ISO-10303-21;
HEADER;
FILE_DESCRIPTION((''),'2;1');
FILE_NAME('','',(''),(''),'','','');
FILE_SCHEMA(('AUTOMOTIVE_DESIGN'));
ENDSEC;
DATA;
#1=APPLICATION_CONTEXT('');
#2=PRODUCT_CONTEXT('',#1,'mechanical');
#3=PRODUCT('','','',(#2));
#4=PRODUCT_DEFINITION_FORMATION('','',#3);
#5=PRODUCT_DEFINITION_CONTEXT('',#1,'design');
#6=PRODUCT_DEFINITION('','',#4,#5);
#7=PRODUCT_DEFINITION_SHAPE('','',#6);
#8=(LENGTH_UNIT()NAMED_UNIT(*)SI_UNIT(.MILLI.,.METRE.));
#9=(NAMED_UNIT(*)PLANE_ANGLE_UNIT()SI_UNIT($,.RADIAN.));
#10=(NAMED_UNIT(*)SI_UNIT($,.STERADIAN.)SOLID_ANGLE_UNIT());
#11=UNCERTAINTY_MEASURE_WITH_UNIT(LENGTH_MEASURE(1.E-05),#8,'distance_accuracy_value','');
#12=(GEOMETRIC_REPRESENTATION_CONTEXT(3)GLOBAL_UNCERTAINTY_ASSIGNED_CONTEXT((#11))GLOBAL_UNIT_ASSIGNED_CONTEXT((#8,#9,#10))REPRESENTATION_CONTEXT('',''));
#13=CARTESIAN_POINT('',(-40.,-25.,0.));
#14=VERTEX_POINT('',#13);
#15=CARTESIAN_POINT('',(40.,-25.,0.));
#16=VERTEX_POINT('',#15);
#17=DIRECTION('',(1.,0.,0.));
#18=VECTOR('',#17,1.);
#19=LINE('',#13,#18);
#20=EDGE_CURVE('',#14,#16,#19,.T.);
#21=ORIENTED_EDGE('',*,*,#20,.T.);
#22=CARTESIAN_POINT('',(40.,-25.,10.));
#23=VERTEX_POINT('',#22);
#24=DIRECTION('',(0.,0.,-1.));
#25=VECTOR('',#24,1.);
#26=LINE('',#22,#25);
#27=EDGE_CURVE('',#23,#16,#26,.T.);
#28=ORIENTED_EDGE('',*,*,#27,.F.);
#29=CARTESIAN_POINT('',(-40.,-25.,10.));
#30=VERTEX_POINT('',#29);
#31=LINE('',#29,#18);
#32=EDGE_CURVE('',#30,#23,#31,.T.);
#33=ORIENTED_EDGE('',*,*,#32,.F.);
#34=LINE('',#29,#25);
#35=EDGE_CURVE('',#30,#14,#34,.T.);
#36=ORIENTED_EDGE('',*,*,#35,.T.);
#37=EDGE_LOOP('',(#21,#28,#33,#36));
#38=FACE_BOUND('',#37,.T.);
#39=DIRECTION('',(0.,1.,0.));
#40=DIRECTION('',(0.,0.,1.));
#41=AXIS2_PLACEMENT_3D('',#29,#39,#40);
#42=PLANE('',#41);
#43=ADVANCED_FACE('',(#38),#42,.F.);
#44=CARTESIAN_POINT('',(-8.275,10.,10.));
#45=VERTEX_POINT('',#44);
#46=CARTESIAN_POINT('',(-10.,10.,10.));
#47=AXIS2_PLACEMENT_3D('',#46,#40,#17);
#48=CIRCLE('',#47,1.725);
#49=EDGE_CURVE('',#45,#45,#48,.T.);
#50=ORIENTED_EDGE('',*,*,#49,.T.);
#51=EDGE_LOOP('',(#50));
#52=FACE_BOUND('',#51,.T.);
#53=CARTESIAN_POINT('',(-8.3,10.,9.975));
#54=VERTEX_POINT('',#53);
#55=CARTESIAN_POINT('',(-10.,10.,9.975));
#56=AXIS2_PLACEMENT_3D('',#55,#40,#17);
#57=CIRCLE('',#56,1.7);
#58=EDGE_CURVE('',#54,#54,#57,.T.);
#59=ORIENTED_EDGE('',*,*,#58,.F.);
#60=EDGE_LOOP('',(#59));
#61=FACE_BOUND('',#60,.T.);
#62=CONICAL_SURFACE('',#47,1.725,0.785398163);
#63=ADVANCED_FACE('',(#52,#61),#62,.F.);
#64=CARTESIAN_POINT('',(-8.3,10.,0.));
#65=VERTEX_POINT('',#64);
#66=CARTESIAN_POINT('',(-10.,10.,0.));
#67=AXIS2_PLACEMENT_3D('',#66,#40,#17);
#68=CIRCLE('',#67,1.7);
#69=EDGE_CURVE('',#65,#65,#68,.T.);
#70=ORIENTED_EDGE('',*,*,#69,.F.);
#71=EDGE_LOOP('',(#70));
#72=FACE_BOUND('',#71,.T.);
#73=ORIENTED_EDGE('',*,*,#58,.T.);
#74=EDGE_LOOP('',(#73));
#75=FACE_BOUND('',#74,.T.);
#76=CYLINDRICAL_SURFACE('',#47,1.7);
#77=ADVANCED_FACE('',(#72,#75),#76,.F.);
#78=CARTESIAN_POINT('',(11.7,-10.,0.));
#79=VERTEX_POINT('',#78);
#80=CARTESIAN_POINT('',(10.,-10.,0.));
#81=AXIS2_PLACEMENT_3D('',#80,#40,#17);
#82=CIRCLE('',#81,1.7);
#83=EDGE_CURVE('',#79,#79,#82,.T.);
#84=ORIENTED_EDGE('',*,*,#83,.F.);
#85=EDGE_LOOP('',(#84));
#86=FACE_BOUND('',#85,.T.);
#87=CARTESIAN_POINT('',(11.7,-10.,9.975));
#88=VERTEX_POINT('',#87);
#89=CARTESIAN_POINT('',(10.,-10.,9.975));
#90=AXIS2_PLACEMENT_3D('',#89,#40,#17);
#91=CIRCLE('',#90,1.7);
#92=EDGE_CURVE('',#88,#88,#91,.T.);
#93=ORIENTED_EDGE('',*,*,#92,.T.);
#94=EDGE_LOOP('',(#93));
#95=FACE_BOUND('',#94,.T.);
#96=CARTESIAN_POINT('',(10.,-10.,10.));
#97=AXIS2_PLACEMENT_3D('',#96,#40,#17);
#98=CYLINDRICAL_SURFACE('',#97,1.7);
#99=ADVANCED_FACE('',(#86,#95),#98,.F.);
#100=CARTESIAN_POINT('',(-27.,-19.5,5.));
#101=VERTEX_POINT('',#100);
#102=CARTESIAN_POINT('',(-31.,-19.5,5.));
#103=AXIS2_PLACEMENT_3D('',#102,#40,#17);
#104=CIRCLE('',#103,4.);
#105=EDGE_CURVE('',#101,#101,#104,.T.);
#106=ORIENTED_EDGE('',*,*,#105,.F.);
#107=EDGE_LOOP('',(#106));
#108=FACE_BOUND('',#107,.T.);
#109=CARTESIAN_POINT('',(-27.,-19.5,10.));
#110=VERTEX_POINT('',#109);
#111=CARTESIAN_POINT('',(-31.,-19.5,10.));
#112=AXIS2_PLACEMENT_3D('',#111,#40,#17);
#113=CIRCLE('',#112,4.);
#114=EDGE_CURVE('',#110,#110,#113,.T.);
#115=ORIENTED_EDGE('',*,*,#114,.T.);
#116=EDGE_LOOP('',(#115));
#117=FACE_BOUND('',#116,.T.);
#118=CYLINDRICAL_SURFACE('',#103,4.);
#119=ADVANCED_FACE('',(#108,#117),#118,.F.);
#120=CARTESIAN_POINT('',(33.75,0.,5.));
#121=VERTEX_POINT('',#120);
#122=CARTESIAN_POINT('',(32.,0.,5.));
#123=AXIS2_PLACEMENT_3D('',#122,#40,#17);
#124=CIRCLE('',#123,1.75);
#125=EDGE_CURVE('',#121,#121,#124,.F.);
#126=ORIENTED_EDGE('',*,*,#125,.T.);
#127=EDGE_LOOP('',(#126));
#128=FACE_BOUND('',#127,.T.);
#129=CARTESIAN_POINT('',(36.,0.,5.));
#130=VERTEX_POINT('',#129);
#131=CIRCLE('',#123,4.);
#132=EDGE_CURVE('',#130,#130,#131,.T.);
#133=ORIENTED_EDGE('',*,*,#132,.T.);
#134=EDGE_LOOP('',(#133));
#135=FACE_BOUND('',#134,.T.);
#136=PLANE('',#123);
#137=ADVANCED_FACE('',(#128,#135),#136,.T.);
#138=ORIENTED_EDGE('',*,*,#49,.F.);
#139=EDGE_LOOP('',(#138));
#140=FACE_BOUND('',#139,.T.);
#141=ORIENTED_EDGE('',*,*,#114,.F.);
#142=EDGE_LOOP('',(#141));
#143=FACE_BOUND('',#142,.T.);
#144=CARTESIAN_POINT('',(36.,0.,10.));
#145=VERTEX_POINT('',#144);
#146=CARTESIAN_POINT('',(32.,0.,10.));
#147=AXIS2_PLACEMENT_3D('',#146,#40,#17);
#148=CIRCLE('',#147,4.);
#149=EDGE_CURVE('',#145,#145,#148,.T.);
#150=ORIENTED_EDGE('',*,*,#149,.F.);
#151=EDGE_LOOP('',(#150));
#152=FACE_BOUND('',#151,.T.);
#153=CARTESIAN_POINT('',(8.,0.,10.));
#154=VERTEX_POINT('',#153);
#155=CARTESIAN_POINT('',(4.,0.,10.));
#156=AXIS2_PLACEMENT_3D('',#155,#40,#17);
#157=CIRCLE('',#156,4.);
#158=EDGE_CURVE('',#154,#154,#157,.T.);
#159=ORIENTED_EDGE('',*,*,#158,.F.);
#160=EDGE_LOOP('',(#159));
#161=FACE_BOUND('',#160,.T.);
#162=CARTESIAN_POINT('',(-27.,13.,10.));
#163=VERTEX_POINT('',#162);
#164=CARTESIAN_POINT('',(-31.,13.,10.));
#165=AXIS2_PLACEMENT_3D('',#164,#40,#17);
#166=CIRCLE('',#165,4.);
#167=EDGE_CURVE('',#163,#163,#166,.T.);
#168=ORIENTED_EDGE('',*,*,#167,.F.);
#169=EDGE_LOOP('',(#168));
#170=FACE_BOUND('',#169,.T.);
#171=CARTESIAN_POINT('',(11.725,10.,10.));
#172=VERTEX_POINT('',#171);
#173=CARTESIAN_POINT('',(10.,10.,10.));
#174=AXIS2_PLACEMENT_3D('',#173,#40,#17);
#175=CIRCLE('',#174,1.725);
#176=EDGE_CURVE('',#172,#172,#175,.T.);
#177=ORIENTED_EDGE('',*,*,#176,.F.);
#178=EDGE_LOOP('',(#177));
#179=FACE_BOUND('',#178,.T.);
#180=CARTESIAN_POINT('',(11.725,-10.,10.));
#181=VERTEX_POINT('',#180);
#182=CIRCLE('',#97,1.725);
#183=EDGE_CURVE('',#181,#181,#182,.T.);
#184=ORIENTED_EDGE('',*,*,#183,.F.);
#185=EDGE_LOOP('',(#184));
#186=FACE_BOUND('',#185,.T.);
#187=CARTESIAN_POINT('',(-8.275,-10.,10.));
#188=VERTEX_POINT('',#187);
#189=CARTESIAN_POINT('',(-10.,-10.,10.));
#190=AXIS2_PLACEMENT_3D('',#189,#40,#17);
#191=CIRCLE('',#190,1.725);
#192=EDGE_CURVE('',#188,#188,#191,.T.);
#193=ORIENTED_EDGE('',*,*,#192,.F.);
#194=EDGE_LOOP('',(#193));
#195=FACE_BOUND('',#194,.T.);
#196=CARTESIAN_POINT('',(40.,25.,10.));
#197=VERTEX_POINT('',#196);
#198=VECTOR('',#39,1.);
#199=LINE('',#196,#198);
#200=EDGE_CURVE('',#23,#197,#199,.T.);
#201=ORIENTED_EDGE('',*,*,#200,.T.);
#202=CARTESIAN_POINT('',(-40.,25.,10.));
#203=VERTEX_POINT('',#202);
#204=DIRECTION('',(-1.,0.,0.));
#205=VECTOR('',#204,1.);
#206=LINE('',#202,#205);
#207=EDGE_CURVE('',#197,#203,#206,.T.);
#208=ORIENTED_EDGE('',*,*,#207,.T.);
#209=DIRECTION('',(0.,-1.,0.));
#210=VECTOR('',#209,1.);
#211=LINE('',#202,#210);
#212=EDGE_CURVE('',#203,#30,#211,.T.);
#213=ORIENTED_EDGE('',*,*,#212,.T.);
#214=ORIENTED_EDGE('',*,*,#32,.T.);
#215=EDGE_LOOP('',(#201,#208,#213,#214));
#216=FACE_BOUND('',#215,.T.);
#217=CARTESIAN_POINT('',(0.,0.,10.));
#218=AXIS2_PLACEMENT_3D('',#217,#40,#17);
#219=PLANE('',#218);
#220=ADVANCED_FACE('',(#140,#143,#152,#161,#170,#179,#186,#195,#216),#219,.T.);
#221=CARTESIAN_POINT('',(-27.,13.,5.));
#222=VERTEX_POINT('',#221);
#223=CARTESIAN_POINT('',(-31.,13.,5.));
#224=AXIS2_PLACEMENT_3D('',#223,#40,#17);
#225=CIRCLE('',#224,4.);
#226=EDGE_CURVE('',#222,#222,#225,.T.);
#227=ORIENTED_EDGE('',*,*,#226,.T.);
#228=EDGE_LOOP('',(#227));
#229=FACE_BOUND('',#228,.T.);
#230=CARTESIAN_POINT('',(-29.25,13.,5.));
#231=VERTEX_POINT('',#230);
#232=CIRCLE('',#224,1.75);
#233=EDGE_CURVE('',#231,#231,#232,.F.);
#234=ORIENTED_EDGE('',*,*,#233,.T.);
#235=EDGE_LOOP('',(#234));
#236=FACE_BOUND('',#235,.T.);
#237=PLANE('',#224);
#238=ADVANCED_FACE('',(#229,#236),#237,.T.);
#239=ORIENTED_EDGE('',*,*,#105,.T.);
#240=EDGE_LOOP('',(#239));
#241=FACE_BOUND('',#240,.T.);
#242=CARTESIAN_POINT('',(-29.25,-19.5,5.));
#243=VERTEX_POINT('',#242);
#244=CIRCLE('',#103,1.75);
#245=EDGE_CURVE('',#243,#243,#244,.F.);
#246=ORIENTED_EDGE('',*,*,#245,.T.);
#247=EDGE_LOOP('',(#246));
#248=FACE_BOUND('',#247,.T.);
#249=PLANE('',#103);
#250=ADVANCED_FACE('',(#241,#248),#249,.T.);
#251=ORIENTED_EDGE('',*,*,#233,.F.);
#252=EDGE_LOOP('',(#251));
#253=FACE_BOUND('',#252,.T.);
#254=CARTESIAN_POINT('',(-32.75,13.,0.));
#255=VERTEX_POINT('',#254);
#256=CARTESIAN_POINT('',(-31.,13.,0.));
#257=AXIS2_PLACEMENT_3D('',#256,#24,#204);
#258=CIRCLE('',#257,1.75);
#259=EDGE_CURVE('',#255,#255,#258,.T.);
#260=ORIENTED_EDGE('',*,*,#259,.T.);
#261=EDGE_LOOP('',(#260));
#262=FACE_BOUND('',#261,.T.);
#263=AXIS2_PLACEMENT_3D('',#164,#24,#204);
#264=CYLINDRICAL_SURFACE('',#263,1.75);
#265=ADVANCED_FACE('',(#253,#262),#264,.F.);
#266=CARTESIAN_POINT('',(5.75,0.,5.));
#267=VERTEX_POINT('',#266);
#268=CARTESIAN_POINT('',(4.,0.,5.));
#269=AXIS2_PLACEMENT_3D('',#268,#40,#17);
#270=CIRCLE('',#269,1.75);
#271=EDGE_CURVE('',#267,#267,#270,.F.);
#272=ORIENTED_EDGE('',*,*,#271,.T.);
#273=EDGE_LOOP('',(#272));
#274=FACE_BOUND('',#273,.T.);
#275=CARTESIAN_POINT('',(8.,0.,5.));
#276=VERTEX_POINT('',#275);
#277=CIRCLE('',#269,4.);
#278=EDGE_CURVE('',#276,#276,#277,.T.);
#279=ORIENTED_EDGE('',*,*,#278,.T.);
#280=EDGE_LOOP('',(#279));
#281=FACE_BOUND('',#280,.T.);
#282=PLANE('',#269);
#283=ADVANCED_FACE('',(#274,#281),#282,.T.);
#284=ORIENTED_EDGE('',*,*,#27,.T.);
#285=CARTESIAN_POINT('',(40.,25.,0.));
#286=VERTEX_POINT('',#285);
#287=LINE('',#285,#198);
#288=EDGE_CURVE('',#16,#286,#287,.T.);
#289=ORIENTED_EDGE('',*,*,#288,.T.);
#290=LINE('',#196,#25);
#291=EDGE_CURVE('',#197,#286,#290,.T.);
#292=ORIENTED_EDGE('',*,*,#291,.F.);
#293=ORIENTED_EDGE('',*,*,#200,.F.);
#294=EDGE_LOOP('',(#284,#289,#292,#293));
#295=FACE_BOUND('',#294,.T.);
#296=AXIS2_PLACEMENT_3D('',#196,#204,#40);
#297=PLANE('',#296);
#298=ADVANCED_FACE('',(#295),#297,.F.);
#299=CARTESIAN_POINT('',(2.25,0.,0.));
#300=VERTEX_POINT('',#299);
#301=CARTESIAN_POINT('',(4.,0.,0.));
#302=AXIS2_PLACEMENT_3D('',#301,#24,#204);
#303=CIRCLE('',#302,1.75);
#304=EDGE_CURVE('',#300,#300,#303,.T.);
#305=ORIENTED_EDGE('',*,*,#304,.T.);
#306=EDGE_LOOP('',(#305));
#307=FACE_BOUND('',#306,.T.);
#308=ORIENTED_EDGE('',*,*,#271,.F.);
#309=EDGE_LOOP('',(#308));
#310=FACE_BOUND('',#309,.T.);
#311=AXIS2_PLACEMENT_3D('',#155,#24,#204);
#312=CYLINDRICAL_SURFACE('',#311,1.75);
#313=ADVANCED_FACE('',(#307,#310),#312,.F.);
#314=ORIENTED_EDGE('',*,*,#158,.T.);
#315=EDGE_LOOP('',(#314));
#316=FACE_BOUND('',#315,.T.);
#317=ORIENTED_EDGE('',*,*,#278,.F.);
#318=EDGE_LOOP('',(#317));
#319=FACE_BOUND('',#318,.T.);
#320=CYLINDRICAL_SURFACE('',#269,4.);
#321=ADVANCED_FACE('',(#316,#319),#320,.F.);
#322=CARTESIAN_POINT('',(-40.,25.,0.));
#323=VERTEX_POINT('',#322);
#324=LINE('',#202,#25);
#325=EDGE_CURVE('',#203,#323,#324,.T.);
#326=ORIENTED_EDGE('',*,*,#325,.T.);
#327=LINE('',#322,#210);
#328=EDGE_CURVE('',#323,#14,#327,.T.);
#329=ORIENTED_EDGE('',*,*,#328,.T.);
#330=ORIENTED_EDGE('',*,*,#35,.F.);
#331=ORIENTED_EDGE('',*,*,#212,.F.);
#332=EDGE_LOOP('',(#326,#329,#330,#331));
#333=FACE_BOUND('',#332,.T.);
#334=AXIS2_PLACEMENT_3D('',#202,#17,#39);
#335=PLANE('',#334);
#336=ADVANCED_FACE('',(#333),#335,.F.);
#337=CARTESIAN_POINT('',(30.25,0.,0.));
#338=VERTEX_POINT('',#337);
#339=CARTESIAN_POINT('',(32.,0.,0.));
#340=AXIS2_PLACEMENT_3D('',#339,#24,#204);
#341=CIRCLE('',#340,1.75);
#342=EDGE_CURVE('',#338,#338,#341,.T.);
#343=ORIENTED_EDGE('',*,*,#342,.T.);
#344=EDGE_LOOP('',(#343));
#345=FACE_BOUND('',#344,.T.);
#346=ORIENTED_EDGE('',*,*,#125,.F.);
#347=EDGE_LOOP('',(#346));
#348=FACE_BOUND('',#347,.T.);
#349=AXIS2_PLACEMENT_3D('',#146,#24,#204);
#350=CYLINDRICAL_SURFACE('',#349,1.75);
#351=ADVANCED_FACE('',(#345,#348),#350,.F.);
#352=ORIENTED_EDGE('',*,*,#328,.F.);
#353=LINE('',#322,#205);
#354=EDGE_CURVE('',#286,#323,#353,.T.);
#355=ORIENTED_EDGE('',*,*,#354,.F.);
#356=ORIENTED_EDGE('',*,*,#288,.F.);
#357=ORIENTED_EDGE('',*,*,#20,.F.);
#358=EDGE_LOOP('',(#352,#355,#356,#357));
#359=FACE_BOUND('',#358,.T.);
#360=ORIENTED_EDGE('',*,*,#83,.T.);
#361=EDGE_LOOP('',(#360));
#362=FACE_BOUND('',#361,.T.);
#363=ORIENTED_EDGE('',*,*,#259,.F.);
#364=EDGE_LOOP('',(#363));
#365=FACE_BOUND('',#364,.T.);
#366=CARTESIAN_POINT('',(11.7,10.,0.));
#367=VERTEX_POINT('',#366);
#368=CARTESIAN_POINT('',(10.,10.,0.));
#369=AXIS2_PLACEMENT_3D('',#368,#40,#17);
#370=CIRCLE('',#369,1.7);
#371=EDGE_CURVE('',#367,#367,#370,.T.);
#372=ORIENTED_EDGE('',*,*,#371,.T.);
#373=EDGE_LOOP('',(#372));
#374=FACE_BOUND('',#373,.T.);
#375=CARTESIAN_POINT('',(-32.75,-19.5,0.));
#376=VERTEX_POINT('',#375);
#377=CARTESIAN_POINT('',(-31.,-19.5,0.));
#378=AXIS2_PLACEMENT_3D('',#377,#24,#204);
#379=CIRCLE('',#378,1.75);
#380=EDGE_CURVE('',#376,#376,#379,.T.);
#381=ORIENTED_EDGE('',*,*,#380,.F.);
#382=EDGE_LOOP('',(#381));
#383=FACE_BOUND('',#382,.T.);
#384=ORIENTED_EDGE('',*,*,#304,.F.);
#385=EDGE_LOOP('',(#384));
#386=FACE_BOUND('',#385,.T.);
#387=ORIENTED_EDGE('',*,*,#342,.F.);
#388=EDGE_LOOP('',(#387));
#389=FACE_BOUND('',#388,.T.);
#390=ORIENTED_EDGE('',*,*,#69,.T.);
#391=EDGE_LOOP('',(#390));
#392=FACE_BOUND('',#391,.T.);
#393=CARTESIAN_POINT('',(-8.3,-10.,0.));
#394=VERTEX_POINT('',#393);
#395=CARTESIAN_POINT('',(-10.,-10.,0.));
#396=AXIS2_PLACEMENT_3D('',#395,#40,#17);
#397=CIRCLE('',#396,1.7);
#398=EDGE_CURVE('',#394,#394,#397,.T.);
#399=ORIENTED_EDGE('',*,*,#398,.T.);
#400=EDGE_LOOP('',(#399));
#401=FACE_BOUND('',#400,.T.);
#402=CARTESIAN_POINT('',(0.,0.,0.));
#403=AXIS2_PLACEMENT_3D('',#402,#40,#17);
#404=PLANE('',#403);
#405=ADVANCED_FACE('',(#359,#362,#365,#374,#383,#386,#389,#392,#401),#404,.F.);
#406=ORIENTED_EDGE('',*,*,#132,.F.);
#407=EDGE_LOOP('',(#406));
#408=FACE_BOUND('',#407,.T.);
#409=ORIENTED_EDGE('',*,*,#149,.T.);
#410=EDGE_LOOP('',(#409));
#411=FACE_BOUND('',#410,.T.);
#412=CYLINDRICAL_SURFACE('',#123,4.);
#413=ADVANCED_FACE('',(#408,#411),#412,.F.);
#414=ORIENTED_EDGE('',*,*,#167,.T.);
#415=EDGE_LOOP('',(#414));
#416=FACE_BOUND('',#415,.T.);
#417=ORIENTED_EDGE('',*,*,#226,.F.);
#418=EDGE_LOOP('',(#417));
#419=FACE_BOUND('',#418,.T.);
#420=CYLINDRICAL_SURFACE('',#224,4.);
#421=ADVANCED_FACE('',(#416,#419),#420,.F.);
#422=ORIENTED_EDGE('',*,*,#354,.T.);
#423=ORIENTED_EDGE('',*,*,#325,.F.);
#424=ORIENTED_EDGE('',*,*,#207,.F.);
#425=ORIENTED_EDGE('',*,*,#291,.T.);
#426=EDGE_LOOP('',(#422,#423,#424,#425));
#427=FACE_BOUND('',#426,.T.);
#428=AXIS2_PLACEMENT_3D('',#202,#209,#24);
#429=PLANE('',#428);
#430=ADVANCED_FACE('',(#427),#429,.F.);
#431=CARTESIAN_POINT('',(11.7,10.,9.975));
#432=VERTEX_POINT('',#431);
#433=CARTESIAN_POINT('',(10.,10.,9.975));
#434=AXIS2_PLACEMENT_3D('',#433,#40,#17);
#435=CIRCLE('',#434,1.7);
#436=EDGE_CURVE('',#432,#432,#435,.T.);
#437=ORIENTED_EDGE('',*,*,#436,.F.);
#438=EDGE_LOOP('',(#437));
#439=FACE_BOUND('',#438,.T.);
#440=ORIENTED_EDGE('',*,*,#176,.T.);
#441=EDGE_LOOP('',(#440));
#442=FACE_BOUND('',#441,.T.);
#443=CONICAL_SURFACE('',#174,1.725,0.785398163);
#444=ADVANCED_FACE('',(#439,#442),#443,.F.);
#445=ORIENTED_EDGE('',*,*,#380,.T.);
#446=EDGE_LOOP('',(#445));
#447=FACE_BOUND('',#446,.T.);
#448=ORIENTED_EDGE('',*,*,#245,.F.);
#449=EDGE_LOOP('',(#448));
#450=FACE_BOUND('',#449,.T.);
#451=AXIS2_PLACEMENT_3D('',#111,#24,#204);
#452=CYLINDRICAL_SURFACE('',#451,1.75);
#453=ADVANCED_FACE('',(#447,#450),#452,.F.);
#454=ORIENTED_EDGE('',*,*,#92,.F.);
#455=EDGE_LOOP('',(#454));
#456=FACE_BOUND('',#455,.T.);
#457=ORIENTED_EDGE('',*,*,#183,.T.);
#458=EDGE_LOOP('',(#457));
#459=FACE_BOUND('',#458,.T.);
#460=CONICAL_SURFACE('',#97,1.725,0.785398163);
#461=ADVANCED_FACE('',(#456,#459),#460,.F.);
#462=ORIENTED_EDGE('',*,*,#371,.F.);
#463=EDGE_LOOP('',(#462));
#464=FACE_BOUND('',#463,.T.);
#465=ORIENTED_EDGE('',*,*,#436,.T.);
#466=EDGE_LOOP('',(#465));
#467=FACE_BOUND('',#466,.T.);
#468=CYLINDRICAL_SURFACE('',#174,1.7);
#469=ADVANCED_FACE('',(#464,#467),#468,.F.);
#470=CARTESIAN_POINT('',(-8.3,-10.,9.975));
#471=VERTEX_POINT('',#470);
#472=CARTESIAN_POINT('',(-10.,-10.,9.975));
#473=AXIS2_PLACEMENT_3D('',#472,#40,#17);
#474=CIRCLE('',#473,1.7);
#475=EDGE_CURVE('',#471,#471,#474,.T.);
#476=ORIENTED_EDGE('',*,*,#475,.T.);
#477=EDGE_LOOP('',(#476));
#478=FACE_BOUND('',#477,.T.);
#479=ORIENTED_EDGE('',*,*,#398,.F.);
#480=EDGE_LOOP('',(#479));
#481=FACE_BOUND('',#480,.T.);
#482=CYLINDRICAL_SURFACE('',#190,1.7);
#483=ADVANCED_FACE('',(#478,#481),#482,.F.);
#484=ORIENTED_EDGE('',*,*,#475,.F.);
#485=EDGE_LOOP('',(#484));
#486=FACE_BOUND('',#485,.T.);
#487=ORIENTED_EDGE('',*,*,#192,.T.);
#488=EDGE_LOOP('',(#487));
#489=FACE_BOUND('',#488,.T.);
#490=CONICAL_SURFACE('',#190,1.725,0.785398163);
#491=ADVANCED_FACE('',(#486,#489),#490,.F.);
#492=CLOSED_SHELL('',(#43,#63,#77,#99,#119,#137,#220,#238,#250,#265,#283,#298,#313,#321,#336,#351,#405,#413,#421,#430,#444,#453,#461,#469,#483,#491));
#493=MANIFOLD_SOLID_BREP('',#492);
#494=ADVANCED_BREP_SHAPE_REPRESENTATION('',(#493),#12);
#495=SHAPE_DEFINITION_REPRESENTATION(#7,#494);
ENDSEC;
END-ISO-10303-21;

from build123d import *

# Parameters (mm, degrees)
SKETCH_1_W                   = 80
SKETCH_1_H                   = 50
EXTRUDE_1_DEPTH              = 10
SKETCH_5_R                   = 1.75
CUT_EXTRUDE_1_DEPTH          = 49.218253805
SKETCH_6_R                   = 4
CUT_EXTRUDE_2_DEPTH          = 5
HOLE_WIZARD_M3_1_D           = 3.4
HOLE_WIZARD_M3_1_CSINK_D     = 3.45
HOLE_WIZARD_M3_1_CSINK_ANGLE = 90


with BuildPart() as part:
    # 草图1 → 凸台-拉伸1 (new body)
    with BuildSketch(Plane.XY):
        Rectangle(SKETCH_1_W, SKETCH_1_H)
    extrude(amount=EXTRUDE_1_DEPTH)

    # 草图5 → 切除-拉伸1 (cut, through all)
    with BuildSketch(Plane(origin=(0, 0, 0), x_dir=(-1, 0, 0), z_dir=(0, 0, -1))):
        with Locations((-32, 0)):
            Circle(SKETCH_5_R)
        with Locations((-4, 0)):
            Circle(SKETCH_5_R)
        with Locations((31, 13)):
            Circle(SKETCH_5_R)
        with Locations((31, -19.5)):
            Circle(SKETCH_5_R)
    extrude(amount=-CUT_EXTRUDE_1_DEPTH, mode=Mode.SUBTRACT)

    # 草图6 → 切除-拉伸2 (cut)
    with BuildSketch(Plane.XY.offset(10)):
        with Locations((-31, 13)):
            Circle(SKETCH_6_R)
        with Locations((4, 0)):
            Circle(SKETCH_6_R)
        with Locations((32, 0)):
            Circle(SKETCH_6_R)
        with Locations((-31, -19.5)):
            Circle(SKETCH_6_R)
    extrude(amount=-CUT_EXTRUDE_2_DEPTH, mode=Mode.SUBTRACT)

    # M3 间隙孔1 (through all)
    with Locations(Plane.XY.offset(10)):
        with Locations((-10, 10), (10, 10), (10, -10), (-10, -10)):
            CounterSinkHole(HOLE_WIZARD_M3_1_D / 2, HOLE_WIZARD_M3_1_CSINK_D / 2, counter_sink_angle=HOLE_WIZARD_M3_1_CSINK_ANGLE)


solid = part.part
